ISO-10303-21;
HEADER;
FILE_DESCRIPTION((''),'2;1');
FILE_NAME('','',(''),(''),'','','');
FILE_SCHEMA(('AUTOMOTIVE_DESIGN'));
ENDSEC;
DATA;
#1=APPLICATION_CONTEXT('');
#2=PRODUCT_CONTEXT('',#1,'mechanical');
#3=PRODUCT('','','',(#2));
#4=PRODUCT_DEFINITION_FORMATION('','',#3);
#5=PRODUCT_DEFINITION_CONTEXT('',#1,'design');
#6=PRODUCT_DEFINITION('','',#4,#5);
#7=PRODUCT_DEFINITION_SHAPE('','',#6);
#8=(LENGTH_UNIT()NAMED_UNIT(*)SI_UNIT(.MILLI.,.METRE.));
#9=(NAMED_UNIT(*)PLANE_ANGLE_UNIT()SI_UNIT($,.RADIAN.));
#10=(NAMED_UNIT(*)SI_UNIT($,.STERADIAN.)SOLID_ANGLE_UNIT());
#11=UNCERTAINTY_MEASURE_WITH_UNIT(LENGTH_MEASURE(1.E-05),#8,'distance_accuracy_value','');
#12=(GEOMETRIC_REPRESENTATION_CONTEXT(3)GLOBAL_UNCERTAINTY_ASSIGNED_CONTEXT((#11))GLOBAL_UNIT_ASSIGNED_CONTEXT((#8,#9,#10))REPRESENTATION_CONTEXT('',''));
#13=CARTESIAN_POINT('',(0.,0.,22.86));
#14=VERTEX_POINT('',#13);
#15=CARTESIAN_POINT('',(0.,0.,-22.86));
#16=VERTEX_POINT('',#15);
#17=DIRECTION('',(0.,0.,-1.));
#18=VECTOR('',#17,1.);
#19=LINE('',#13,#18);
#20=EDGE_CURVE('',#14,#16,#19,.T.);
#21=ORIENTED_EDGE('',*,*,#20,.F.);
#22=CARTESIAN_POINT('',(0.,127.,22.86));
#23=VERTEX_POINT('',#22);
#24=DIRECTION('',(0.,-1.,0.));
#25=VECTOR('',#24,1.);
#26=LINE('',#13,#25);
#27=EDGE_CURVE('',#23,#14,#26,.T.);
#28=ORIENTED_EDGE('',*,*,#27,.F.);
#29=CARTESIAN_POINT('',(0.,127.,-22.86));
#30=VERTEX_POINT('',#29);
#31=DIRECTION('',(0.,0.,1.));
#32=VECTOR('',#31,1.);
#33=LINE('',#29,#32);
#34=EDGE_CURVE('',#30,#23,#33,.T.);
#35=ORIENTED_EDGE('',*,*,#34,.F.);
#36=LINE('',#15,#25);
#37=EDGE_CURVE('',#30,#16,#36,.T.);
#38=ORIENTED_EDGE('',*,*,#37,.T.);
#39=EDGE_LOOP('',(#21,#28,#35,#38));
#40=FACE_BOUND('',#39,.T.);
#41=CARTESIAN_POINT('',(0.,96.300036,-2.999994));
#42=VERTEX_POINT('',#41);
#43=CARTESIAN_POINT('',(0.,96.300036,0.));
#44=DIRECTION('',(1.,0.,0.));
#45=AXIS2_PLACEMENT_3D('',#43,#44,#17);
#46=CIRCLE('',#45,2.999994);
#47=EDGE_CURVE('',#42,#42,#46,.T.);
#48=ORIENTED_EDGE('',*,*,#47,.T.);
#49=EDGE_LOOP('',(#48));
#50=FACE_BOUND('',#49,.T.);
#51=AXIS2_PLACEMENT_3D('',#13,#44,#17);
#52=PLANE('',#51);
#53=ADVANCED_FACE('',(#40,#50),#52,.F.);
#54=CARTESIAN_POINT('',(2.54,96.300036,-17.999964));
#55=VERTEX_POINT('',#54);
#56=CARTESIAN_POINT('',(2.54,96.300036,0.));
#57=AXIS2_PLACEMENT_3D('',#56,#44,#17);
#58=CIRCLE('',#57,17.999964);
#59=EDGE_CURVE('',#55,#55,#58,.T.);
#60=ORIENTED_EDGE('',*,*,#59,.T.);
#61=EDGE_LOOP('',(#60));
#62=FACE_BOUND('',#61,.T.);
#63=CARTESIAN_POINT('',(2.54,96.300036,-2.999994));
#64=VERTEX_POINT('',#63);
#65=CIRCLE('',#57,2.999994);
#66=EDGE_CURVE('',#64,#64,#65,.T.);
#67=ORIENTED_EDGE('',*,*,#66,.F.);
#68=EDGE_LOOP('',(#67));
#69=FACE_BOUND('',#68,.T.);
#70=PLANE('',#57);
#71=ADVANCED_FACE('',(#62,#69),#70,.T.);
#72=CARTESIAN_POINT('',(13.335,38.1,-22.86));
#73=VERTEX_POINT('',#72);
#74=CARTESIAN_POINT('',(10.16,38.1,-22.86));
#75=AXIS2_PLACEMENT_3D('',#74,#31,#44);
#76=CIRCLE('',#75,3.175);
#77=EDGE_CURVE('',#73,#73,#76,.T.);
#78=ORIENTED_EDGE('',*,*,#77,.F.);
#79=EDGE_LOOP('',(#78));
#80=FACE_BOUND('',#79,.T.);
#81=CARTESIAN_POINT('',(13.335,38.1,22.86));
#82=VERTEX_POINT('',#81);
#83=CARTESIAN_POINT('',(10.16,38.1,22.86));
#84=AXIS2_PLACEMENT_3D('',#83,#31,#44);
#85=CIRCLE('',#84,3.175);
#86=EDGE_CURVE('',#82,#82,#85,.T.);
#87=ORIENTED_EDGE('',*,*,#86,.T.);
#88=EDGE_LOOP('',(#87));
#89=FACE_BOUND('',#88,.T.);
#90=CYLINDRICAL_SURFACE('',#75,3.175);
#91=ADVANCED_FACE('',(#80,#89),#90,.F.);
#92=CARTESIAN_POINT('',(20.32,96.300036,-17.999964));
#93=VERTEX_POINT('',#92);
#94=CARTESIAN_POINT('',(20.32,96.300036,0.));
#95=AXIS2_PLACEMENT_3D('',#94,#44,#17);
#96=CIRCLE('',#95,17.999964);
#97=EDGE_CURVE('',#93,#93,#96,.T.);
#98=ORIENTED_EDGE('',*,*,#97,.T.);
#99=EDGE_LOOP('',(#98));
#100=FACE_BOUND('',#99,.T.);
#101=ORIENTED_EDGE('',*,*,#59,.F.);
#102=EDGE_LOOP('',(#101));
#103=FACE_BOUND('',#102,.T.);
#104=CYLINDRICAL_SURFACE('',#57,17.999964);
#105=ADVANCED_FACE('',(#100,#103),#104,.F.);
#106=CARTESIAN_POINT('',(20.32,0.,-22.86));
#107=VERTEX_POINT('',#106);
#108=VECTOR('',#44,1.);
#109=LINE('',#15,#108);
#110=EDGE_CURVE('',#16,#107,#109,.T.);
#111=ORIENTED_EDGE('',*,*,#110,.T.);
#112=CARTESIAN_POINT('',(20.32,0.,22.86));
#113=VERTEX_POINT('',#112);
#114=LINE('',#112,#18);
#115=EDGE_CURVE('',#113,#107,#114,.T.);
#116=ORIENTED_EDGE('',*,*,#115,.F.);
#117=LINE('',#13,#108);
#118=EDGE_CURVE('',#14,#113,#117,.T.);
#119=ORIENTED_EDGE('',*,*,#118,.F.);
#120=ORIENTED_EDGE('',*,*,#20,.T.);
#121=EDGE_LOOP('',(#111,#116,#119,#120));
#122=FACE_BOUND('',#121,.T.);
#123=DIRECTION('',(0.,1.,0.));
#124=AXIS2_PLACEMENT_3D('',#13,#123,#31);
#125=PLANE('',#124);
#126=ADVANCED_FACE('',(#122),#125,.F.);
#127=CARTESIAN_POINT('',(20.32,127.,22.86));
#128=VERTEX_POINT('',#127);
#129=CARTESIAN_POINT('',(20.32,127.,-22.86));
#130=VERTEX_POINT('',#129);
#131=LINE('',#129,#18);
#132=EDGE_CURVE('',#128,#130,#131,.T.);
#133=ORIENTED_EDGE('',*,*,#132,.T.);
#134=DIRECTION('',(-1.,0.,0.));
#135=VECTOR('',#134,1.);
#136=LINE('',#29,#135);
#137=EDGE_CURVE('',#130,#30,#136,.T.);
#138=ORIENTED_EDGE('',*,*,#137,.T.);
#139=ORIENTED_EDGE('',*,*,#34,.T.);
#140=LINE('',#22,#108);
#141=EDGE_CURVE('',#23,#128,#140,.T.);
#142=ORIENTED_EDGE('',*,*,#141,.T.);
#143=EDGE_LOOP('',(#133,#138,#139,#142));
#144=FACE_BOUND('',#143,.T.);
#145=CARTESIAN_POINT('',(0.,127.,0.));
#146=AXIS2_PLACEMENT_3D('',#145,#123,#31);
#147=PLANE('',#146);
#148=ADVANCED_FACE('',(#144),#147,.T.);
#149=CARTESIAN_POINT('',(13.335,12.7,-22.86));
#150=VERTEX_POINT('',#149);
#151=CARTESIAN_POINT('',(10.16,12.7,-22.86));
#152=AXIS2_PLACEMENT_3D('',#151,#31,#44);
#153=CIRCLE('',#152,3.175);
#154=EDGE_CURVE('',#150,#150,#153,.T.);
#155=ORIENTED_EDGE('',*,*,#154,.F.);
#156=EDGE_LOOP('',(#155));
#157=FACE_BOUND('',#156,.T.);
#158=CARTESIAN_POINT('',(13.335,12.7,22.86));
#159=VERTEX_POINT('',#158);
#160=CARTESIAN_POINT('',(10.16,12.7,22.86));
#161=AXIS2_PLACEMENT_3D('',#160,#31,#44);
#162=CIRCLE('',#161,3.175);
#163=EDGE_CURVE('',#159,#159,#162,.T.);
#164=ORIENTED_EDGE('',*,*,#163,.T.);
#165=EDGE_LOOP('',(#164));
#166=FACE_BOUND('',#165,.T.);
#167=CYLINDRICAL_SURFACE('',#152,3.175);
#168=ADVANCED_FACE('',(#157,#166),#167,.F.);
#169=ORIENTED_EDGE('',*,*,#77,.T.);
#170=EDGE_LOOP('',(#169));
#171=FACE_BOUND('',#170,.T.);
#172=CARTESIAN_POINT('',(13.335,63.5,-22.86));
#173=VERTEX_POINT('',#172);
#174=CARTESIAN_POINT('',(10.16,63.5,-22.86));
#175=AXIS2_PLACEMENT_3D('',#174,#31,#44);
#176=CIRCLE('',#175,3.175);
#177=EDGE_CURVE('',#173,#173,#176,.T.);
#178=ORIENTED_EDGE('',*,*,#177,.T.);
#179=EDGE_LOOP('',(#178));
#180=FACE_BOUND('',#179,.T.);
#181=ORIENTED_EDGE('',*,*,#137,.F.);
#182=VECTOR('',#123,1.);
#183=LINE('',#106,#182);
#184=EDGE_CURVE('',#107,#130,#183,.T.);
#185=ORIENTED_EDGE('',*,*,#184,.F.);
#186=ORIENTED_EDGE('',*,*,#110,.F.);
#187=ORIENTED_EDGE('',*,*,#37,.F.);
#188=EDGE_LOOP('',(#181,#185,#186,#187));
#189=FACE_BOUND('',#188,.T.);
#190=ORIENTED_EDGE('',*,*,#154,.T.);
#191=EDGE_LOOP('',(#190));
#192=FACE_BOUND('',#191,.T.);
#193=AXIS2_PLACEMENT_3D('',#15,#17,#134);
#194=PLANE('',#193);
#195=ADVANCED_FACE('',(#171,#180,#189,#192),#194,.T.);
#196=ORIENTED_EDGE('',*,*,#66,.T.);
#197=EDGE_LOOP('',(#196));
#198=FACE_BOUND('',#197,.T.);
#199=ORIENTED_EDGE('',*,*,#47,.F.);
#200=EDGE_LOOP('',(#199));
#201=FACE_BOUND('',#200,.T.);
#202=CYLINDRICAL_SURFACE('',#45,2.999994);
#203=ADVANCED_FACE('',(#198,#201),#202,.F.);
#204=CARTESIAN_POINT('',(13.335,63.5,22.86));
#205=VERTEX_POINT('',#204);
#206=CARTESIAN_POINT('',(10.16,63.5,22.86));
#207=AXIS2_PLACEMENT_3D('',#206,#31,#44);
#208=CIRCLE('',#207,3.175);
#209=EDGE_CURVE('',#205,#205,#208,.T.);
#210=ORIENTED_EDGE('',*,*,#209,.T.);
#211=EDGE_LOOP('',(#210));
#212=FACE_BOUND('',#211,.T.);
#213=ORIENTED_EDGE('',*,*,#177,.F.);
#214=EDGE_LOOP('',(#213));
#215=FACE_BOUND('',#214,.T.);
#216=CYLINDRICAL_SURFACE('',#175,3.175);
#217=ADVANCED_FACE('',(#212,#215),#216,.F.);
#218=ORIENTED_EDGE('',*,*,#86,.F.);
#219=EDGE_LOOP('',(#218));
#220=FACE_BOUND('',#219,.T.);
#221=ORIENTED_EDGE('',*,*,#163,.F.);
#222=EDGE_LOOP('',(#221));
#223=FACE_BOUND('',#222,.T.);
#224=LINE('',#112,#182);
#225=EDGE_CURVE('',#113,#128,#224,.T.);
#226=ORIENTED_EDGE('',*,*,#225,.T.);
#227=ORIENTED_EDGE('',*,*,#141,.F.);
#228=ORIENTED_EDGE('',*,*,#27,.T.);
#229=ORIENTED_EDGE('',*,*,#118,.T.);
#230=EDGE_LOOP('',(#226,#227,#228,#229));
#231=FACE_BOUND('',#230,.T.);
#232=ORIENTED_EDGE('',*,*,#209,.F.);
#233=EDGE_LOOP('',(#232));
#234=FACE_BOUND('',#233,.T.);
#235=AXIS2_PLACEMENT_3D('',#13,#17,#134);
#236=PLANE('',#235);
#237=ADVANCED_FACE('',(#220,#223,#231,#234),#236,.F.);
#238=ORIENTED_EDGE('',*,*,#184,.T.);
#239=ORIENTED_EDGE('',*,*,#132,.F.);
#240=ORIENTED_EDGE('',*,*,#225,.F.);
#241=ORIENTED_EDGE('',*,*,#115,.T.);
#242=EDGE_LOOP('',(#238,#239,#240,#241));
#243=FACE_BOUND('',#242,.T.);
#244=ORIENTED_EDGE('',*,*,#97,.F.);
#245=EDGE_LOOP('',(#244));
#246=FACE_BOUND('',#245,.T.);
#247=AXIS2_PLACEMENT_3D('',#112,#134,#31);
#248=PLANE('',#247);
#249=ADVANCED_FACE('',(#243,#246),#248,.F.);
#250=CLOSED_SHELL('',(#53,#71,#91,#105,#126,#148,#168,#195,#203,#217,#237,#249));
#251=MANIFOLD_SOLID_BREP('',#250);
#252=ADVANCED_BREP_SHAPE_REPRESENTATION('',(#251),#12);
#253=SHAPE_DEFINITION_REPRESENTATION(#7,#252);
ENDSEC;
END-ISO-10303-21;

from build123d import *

# Parameters (mm, degrees)
SKETCH1_W           = 20.32
SKETCH1_H           = 76.2
BOSS_EXTRUDE1_DEPTH = 22.86
SKETCH2_R           = 3.175
CUT_EXTRUDE1_DEPTH  = 92.1573409
SKETCH3_W           = 20.32
SKETCH3_H           = 45.72
BOSS_EXTRUDE2_DEPTH = 50.8
SKETCH4_R           = 17.999964
CUT_EXTRUDE2_DEPTH  = 17.78
SKETCH5_R           = 2.999994
CUT_EXTRUDE3_DEPTH  = 131.260155074


with BuildPart() as part:
    # Sketch1 → Boss-Extrude1 (new, symmetric)
    with BuildSketch(Plane.XY):
        with Locations((10.16, 38.1)):
            Rectangle(SKETCH1_W, SKETCH1_H)
    extrude(amount=BOSS_EXTRUDE1_DEPTH, both=True)

    # Sketch2 → Cut-Extrude1 (cut, through all)
    with BuildSketch(Plane.XY.offset(22.86)):
        with Locations((10.16, 12.7)):
            Circle(SKETCH2_R)
        with Locations((10.16, 38.1)):
            Circle(SKETCH2_R)
        with Locations((10.16, 63.5)):
            Circle(SKETCH2_R)
    extrude(amount=-CUT_EXTRUDE1_DEPTH, mode=Mode.SUBTRACT)

    # Sketch3 → Boss-Extrude2 (add)
    with BuildSketch(Plane(origin=(0, 76.2, 0), x_dir=(1, 0, 0), z_dir=(0, 1, 0))):
        with Locations((10.16, 0)):
            Rectangle(SKETCH3_W, SKETCH3_H)
    extrude(amount=BOSS_EXTRUDE2_DEPTH)

    # Sketch4 → Cut-Extrude2 (cut)
    with BuildSketch(Plane(origin=(20.32, 0, 0), x_dir=(0, 0, -1), z_dir=(1, 0, 0))):
        with Locations((0, 96.300036)):
            Circle(SKETCH4_R)
    extrude(amount=-CUT_EXTRUDE2_DEPTH, mode=Mode.SUBTRACT)

    # Sketch5 → Cut-Extrude3 (cut, through all)
    with BuildSketch(Plane(origin=(2.54, 0, 0), x_dir=(0, 0, -1), z_dir=(1, 0, 0))):
        with Locations((0, 96.300036)):
            Circle(SKETCH5_R)
    extrude(amount=-CUT_EXTRUDE3_DEPTH, mode=Mode.SUBTRACT)


solid = part.part
